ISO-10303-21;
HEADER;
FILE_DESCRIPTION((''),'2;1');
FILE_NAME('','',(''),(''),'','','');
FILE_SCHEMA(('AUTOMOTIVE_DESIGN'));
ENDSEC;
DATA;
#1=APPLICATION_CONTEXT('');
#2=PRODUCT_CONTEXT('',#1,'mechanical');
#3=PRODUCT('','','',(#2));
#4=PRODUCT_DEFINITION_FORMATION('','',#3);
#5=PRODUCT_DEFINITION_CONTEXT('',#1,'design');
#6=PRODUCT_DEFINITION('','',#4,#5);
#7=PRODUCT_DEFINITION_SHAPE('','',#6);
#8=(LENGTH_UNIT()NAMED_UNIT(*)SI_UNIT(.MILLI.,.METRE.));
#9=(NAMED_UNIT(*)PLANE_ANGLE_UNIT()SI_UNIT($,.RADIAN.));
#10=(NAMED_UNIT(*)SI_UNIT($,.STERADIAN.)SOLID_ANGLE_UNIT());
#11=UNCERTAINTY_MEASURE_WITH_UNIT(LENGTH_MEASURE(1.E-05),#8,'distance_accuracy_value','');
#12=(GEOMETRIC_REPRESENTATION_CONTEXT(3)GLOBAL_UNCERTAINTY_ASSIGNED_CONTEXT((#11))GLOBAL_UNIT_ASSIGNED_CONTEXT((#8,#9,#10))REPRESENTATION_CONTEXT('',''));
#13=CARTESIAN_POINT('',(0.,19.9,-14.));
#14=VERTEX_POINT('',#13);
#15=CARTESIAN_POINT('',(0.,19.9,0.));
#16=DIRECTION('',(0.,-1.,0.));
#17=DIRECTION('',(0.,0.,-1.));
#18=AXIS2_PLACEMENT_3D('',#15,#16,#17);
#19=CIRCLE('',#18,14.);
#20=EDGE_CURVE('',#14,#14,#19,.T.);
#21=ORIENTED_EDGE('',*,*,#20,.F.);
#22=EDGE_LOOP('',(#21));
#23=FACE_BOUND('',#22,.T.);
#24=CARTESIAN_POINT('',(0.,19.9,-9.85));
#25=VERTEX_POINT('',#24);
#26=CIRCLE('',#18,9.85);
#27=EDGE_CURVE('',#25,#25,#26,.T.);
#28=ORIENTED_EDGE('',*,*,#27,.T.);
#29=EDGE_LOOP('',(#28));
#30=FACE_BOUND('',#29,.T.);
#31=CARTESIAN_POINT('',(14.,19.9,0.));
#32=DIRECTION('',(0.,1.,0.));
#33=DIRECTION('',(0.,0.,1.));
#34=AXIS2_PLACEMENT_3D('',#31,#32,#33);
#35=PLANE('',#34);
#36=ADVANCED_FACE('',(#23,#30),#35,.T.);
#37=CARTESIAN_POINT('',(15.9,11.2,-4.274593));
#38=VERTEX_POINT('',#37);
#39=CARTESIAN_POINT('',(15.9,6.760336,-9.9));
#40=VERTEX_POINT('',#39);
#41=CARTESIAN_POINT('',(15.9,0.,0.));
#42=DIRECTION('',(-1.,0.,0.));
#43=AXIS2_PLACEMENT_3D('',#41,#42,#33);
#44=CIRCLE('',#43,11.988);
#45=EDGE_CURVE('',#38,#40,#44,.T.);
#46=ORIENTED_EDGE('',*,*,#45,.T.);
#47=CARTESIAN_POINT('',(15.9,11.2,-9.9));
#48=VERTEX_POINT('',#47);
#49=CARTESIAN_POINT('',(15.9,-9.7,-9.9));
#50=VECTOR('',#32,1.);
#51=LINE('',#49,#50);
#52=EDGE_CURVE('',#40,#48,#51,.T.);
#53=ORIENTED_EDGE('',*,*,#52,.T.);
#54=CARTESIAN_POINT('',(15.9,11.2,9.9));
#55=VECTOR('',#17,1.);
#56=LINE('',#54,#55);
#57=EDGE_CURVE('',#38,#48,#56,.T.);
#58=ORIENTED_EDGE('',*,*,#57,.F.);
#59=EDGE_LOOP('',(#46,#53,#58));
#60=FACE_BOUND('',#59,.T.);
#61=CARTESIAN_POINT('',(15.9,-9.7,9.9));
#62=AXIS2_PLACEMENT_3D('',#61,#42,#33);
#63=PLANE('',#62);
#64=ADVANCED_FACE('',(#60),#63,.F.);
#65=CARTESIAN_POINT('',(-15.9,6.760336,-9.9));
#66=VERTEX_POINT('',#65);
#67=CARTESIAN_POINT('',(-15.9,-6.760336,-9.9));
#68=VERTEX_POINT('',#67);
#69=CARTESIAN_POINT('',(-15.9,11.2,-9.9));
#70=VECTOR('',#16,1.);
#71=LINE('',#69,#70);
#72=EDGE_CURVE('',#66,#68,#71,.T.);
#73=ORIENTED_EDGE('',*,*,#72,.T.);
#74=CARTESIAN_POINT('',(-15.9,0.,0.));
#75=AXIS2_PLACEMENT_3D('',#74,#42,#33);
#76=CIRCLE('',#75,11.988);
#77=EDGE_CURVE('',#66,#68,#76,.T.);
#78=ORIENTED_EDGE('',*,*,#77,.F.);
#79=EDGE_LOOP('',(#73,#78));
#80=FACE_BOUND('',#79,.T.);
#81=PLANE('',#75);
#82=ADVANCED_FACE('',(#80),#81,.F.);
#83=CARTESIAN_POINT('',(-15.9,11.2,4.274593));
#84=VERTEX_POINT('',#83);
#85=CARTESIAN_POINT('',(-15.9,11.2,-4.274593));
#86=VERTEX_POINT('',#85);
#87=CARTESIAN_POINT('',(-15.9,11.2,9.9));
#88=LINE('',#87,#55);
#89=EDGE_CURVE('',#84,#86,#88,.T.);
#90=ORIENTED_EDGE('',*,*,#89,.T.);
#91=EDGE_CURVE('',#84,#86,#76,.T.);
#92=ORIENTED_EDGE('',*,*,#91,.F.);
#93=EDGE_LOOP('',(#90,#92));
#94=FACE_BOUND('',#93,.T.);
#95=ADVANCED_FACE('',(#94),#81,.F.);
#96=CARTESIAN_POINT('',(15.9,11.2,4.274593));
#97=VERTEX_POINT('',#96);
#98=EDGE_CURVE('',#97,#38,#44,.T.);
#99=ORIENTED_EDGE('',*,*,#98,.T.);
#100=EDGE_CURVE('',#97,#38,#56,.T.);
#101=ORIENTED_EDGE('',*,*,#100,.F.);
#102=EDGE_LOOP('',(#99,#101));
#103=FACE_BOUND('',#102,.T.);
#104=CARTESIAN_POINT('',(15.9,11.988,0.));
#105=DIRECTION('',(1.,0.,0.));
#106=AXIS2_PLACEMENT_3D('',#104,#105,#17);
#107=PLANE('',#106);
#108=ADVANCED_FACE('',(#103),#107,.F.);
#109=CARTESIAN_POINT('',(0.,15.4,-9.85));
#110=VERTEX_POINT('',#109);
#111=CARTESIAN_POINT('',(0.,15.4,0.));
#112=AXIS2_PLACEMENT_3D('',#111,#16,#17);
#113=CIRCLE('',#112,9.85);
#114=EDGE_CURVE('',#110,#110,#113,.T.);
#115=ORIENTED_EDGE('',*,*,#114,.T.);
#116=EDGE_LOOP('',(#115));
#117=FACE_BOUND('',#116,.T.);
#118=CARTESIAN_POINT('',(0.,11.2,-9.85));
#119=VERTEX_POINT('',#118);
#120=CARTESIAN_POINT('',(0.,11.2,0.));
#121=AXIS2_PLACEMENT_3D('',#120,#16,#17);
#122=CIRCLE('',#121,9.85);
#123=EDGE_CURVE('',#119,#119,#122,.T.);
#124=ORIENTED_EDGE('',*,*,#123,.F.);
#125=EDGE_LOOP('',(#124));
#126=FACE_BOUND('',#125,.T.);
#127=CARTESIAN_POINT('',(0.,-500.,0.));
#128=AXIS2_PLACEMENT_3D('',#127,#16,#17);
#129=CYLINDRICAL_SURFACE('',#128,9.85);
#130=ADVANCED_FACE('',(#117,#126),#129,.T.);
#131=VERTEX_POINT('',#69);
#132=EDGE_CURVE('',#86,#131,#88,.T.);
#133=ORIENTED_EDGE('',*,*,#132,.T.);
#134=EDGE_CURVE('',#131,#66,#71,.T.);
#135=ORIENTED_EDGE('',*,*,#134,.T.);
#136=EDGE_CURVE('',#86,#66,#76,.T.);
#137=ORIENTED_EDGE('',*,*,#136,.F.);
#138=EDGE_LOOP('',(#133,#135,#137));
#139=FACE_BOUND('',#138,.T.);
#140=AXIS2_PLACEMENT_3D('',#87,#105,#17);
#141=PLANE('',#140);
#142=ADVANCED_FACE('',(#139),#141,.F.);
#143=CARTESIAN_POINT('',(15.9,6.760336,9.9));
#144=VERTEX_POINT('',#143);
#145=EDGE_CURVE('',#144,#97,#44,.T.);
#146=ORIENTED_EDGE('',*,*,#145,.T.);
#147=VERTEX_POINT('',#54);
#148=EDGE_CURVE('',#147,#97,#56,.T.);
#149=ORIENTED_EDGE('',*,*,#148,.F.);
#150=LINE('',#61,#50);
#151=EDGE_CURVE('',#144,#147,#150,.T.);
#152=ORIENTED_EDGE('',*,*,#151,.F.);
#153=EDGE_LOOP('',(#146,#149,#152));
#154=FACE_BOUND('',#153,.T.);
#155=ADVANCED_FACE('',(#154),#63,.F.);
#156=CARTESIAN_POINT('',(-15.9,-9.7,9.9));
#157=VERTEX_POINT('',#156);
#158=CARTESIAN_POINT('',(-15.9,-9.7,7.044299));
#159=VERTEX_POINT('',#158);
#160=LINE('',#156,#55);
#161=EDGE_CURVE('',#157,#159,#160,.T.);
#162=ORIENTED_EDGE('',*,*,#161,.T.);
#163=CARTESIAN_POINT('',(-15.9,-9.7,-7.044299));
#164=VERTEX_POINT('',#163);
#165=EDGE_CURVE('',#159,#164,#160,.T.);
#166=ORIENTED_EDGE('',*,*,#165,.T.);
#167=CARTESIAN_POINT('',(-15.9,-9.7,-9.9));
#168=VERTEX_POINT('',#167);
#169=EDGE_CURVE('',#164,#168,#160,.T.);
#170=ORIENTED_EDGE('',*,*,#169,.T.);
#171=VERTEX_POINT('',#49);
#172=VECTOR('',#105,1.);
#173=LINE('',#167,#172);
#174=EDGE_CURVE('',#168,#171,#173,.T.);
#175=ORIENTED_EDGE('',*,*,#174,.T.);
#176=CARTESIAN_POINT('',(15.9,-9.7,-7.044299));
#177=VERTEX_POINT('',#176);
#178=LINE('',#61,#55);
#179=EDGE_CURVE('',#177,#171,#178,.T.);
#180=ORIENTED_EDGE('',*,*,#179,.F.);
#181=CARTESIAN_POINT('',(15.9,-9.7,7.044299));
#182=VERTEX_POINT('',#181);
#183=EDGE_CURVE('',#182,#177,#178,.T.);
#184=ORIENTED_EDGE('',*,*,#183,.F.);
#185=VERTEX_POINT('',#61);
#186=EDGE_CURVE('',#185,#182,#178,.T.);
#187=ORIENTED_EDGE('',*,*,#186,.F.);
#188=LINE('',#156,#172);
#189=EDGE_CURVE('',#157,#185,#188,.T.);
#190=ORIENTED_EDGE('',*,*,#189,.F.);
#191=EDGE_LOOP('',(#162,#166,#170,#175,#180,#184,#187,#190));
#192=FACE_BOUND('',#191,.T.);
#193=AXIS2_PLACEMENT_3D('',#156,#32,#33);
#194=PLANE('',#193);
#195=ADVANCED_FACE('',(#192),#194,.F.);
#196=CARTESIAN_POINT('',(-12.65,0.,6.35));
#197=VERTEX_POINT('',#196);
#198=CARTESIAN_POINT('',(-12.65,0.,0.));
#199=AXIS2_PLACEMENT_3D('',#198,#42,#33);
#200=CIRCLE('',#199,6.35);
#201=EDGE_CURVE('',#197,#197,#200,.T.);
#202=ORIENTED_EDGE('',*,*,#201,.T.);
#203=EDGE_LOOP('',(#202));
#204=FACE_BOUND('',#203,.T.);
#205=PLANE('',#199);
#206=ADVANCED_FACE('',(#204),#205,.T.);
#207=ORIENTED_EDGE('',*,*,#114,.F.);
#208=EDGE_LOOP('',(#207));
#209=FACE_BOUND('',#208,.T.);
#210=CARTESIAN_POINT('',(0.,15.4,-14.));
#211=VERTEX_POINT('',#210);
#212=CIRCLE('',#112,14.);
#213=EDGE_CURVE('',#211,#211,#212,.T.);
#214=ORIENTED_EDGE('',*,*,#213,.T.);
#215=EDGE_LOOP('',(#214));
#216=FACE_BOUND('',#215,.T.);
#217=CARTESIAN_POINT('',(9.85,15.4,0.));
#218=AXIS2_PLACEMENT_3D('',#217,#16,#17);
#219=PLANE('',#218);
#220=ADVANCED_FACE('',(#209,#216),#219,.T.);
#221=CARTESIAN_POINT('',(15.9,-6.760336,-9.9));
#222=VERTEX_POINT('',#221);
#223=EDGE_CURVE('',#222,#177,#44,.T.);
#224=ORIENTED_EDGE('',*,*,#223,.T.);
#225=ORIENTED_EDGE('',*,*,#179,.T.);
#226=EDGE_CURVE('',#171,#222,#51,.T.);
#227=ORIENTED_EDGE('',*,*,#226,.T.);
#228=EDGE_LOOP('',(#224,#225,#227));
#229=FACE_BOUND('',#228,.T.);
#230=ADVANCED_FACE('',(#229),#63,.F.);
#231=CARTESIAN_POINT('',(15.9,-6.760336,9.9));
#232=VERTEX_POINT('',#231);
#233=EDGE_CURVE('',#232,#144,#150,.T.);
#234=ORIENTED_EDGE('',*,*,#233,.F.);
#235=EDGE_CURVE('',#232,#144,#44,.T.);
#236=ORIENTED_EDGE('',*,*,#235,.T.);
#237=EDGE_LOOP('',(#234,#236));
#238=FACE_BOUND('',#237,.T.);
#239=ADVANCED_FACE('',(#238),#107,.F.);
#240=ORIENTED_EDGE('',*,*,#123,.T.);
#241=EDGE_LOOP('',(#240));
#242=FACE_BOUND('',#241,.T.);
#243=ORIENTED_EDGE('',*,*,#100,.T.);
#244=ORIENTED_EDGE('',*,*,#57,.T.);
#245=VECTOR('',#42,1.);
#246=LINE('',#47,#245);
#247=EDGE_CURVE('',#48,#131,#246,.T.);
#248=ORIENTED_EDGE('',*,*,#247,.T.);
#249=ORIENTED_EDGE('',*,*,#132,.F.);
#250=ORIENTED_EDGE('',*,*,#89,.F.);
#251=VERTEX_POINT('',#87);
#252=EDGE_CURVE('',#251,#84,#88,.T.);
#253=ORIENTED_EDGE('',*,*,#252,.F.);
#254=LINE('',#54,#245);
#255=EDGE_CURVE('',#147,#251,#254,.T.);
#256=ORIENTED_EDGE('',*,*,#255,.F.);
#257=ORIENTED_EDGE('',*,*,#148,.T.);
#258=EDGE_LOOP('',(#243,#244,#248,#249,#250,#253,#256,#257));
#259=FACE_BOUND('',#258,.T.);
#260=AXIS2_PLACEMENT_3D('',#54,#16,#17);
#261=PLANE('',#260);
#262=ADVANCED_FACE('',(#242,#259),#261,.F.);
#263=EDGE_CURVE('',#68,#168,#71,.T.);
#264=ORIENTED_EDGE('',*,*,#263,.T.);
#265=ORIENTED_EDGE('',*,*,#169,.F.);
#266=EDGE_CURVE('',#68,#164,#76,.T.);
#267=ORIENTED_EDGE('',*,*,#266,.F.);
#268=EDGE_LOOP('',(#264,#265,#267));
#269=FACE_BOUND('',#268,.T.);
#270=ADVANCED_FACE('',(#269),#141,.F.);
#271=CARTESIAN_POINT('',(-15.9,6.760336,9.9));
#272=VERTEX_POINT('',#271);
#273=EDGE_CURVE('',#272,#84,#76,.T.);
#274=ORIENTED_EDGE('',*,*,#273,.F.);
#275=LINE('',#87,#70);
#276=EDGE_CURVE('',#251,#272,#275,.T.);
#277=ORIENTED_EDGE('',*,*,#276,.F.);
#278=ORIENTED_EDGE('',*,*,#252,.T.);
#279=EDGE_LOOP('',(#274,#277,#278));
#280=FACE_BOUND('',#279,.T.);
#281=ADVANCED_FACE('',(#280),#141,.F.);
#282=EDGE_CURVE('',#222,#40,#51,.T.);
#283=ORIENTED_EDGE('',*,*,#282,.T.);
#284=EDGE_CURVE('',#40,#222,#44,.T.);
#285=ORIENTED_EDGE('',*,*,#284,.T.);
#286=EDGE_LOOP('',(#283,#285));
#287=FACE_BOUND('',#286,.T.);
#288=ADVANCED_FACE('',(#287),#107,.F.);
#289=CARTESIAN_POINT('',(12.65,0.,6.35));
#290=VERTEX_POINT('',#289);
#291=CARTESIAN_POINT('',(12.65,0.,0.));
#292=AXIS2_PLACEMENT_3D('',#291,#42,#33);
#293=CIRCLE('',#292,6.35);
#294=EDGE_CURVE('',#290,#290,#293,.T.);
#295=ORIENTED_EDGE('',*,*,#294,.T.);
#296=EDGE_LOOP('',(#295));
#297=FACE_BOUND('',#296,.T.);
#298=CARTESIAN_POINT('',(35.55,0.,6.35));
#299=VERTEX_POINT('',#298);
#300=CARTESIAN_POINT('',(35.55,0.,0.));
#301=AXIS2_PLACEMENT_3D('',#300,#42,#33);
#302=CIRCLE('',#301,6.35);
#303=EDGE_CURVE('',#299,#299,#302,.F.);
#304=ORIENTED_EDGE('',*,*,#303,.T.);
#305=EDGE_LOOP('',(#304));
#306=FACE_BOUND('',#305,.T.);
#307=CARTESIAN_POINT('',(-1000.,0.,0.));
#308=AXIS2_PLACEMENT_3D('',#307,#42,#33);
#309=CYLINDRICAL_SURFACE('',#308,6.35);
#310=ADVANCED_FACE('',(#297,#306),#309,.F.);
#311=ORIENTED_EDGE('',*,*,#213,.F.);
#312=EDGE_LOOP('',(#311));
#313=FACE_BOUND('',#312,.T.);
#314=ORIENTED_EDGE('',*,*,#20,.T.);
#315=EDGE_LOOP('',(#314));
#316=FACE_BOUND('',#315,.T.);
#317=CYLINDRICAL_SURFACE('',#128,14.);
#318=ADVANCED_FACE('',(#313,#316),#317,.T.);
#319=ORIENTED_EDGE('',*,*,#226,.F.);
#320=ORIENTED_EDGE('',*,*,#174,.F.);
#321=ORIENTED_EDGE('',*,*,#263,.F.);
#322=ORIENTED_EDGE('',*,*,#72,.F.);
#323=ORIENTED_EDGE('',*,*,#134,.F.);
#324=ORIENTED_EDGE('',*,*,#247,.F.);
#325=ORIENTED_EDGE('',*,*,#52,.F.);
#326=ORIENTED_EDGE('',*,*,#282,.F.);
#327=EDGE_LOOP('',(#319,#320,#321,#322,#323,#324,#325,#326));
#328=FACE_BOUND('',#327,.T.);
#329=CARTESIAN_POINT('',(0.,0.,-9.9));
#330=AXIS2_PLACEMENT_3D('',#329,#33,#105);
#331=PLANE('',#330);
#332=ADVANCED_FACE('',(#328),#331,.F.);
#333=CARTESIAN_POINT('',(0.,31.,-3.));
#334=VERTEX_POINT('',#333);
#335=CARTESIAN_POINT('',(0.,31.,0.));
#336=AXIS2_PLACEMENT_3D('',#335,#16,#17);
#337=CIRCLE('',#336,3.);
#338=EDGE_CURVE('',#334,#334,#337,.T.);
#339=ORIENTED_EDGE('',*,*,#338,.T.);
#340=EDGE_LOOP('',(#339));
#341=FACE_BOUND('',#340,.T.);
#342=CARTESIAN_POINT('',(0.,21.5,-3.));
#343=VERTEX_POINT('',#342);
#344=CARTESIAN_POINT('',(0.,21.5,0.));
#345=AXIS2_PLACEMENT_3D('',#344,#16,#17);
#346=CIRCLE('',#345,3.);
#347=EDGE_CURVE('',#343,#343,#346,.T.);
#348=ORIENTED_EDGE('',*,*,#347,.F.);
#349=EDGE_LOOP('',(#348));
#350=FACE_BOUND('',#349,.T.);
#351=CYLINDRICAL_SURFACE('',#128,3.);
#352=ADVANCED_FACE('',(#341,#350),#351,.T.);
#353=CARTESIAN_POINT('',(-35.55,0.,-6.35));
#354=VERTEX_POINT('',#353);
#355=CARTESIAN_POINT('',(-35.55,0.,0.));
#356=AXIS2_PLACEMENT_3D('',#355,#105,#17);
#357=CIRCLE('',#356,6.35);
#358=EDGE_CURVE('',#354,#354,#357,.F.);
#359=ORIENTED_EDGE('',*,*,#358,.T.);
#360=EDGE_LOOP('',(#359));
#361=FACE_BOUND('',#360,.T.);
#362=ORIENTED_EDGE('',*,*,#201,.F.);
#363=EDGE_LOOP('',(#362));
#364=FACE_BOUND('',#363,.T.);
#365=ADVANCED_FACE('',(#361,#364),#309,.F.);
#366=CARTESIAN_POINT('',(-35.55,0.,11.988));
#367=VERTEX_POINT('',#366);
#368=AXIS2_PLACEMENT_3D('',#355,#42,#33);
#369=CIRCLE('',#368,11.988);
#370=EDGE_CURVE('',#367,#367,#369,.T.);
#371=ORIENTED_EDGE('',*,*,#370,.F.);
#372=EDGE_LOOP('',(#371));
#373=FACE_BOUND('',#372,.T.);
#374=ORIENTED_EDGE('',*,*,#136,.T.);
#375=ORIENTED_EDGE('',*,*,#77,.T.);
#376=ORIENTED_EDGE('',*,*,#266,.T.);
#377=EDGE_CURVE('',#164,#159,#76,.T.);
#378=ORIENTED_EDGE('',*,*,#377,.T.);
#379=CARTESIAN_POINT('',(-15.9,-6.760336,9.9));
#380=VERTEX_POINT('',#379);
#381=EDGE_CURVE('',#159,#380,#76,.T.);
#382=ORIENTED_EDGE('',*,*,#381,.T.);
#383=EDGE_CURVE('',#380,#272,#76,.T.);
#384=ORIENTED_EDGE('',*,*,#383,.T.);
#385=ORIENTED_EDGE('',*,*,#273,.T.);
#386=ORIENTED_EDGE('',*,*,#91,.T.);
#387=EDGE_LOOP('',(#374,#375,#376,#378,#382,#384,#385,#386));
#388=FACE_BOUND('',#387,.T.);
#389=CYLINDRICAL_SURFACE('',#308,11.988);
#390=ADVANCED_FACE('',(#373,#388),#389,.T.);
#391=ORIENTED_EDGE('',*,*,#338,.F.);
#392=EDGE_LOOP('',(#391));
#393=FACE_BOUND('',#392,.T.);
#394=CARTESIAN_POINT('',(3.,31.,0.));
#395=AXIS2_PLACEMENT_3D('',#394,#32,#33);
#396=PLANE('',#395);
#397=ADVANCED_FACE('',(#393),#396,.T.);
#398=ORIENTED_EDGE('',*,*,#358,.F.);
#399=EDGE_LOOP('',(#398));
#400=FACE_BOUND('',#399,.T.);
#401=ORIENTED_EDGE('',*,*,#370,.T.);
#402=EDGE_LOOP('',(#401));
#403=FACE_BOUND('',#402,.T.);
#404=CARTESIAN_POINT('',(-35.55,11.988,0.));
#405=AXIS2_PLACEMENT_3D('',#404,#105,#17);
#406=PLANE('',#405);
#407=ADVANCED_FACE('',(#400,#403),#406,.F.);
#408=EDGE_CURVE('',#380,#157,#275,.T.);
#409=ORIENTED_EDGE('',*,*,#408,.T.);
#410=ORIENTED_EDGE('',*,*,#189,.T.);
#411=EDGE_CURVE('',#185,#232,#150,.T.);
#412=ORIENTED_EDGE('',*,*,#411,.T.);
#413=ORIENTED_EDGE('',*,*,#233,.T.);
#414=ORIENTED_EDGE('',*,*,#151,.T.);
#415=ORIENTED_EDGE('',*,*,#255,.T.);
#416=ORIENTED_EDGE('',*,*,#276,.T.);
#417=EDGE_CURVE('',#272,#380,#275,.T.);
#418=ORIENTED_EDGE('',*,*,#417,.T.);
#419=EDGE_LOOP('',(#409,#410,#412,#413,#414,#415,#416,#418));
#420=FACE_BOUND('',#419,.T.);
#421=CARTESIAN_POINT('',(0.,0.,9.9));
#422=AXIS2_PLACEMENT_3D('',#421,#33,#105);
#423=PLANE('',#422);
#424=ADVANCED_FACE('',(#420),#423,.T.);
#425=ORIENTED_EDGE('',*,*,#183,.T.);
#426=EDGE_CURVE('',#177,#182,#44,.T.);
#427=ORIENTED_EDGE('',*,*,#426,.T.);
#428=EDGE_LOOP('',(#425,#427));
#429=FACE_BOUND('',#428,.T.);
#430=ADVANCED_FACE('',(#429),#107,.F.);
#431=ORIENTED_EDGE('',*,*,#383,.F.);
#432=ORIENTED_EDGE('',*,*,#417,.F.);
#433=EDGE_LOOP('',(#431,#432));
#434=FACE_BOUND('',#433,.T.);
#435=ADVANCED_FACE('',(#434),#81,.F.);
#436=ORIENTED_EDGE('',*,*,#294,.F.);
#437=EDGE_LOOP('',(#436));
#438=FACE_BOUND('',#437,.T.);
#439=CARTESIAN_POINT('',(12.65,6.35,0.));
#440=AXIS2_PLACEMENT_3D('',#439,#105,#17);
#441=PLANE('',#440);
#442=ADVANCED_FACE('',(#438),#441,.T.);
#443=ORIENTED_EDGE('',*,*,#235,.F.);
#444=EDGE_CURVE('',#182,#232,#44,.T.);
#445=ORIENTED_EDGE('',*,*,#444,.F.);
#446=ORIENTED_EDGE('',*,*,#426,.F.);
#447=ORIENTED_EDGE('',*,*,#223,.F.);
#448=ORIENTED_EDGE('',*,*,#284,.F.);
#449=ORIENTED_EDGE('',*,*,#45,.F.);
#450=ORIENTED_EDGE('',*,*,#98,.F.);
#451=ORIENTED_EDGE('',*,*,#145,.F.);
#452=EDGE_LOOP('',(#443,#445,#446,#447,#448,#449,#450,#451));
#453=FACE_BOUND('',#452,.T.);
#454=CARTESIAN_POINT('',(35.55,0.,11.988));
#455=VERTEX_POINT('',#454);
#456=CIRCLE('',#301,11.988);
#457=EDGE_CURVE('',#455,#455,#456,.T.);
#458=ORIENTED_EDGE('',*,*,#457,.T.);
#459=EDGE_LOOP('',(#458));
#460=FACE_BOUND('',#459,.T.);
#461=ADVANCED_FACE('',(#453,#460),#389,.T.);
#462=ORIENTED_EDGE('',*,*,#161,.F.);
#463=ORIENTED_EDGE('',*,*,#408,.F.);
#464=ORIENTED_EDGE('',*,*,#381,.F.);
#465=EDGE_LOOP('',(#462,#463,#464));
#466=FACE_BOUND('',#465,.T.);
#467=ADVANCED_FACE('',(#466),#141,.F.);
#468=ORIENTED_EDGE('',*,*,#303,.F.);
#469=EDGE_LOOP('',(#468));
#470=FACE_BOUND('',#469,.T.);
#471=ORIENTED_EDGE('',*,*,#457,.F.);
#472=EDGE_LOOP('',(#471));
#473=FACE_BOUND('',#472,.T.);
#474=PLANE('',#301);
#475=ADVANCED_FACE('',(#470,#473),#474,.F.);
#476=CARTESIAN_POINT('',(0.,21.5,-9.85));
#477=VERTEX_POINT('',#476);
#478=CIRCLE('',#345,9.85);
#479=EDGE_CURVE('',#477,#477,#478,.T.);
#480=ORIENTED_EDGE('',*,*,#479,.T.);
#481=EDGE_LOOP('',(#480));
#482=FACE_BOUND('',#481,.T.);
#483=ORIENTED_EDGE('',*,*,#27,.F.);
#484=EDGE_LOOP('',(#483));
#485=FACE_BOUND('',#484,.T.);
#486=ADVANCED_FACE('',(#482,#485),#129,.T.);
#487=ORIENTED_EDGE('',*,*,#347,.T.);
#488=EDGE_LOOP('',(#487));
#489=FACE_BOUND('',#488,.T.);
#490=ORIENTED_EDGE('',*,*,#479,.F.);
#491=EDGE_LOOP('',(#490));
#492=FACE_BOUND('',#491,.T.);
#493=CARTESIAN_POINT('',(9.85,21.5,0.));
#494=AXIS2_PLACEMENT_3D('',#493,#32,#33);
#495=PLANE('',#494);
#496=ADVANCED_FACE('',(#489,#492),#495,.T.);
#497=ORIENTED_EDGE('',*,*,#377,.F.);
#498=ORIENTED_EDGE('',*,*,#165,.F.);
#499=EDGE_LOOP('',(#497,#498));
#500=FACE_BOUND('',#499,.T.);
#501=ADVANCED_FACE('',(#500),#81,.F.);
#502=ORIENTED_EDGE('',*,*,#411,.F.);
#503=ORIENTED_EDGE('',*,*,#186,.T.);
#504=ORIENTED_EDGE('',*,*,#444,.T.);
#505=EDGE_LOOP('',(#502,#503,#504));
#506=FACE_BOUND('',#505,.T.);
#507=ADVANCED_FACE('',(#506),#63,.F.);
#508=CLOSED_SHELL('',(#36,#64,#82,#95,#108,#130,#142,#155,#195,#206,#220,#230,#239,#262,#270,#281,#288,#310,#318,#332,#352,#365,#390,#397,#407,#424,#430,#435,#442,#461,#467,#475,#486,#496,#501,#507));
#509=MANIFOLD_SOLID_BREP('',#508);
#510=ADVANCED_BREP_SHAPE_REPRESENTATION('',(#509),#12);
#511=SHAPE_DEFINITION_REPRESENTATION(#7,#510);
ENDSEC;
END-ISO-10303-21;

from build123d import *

# Parameters (mm, degrees)
BODY_SKETCH_W       = 31.8
BODY_SKETCH_H       = 20.9
BODY_DEPTH          = 9.9
NUT_X_SKETCH_W      = 19.65
NUT_X_SKETCH_H      = 11.988
NUT_X_SKETCH_2_W    = 19.65
NUT_X_SKETCH_2_H    = 11.988
SOCKET_X_SKETCH_W   = 23.9
SOCKET_X_SKETCH_H   = 6.35
SOCKET_X_SKETCH_2_W = 23.9
SOCKET_X_SKETCH_2_H = 6.35


with BuildPart() as part:
    # Body Sketch → Body (new, symmetric)
    with BuildSketch(Plane.XY):
        with Locations((0, 0.75)):
            Rectangle(BODY_SKETCH_W, BODY_SKETCH_H)
    extrude(amount=BODY_DEPTH, both=True)

    # Nut _X Sketch → Nut _X (revolve)
    with BuildSketch(Plane.XY):
        with Locations((25.725, 5.994)):
            Rectangle(NUT_X_SKETCH_W, NUT_X_SKETCH_H)
    revolve(axis=Axis((-1000, 0, 0), (1, 0, 0)))

    # Nut -X Sketch 2 → Nut -X 2 (revolve)
    with BuildSketch(Plane.XY):
        with Locations((-25.725, 5.994)):
            Rectangle(NUT_X_SKETCH_2_W, NUT_X_SKETCH_2_H)
    revolve(axis=Axis((-1000, 0, 0), (1, 0, 0)))

    # Socket _X Sketch → Socket _X (revolve, cut)
    with BuildSketch(Plane.XY):
        with Locations((24.6, 3.175)):
            Rectangle(SOCKET_X_SKETCH_W, SOCKET_X_SKETCH_H)
    revolve(axis=Axis((-1000, 0, 0), (1, 0, 0)), mode=Mode.SUBTRACT)

    # Socket -X Sketch 2 → Socket -X 2 (revolve, cut)
    with BuildSketch(Plane.XY):
        with Locations((-24.6, 3.175)):
            Rectangle(SOCKET_X_SKETCH_2_W, SOCKET_X_SKETCH_2_H)
    revolve(axis=Axis((-1000, 0, 0), (1, 0, 0)), mode=Mode.SUBTRACT)

    # Stem Sketch → Stem (revolve)
    with BuildSketch(Plane.XY):
        Polygon((0, 11.2), (9.85, 11.2), (9.85, 15.4), (14, 15.4), (14, 19.9), (9.85, 19.9), (9.85, 21.5), (3, 21.5), (3, 31), (0, 31), align=None)
    revolve(axis=Axis((0, -500, 0), (0, 1, 0)))


solid = part.part
